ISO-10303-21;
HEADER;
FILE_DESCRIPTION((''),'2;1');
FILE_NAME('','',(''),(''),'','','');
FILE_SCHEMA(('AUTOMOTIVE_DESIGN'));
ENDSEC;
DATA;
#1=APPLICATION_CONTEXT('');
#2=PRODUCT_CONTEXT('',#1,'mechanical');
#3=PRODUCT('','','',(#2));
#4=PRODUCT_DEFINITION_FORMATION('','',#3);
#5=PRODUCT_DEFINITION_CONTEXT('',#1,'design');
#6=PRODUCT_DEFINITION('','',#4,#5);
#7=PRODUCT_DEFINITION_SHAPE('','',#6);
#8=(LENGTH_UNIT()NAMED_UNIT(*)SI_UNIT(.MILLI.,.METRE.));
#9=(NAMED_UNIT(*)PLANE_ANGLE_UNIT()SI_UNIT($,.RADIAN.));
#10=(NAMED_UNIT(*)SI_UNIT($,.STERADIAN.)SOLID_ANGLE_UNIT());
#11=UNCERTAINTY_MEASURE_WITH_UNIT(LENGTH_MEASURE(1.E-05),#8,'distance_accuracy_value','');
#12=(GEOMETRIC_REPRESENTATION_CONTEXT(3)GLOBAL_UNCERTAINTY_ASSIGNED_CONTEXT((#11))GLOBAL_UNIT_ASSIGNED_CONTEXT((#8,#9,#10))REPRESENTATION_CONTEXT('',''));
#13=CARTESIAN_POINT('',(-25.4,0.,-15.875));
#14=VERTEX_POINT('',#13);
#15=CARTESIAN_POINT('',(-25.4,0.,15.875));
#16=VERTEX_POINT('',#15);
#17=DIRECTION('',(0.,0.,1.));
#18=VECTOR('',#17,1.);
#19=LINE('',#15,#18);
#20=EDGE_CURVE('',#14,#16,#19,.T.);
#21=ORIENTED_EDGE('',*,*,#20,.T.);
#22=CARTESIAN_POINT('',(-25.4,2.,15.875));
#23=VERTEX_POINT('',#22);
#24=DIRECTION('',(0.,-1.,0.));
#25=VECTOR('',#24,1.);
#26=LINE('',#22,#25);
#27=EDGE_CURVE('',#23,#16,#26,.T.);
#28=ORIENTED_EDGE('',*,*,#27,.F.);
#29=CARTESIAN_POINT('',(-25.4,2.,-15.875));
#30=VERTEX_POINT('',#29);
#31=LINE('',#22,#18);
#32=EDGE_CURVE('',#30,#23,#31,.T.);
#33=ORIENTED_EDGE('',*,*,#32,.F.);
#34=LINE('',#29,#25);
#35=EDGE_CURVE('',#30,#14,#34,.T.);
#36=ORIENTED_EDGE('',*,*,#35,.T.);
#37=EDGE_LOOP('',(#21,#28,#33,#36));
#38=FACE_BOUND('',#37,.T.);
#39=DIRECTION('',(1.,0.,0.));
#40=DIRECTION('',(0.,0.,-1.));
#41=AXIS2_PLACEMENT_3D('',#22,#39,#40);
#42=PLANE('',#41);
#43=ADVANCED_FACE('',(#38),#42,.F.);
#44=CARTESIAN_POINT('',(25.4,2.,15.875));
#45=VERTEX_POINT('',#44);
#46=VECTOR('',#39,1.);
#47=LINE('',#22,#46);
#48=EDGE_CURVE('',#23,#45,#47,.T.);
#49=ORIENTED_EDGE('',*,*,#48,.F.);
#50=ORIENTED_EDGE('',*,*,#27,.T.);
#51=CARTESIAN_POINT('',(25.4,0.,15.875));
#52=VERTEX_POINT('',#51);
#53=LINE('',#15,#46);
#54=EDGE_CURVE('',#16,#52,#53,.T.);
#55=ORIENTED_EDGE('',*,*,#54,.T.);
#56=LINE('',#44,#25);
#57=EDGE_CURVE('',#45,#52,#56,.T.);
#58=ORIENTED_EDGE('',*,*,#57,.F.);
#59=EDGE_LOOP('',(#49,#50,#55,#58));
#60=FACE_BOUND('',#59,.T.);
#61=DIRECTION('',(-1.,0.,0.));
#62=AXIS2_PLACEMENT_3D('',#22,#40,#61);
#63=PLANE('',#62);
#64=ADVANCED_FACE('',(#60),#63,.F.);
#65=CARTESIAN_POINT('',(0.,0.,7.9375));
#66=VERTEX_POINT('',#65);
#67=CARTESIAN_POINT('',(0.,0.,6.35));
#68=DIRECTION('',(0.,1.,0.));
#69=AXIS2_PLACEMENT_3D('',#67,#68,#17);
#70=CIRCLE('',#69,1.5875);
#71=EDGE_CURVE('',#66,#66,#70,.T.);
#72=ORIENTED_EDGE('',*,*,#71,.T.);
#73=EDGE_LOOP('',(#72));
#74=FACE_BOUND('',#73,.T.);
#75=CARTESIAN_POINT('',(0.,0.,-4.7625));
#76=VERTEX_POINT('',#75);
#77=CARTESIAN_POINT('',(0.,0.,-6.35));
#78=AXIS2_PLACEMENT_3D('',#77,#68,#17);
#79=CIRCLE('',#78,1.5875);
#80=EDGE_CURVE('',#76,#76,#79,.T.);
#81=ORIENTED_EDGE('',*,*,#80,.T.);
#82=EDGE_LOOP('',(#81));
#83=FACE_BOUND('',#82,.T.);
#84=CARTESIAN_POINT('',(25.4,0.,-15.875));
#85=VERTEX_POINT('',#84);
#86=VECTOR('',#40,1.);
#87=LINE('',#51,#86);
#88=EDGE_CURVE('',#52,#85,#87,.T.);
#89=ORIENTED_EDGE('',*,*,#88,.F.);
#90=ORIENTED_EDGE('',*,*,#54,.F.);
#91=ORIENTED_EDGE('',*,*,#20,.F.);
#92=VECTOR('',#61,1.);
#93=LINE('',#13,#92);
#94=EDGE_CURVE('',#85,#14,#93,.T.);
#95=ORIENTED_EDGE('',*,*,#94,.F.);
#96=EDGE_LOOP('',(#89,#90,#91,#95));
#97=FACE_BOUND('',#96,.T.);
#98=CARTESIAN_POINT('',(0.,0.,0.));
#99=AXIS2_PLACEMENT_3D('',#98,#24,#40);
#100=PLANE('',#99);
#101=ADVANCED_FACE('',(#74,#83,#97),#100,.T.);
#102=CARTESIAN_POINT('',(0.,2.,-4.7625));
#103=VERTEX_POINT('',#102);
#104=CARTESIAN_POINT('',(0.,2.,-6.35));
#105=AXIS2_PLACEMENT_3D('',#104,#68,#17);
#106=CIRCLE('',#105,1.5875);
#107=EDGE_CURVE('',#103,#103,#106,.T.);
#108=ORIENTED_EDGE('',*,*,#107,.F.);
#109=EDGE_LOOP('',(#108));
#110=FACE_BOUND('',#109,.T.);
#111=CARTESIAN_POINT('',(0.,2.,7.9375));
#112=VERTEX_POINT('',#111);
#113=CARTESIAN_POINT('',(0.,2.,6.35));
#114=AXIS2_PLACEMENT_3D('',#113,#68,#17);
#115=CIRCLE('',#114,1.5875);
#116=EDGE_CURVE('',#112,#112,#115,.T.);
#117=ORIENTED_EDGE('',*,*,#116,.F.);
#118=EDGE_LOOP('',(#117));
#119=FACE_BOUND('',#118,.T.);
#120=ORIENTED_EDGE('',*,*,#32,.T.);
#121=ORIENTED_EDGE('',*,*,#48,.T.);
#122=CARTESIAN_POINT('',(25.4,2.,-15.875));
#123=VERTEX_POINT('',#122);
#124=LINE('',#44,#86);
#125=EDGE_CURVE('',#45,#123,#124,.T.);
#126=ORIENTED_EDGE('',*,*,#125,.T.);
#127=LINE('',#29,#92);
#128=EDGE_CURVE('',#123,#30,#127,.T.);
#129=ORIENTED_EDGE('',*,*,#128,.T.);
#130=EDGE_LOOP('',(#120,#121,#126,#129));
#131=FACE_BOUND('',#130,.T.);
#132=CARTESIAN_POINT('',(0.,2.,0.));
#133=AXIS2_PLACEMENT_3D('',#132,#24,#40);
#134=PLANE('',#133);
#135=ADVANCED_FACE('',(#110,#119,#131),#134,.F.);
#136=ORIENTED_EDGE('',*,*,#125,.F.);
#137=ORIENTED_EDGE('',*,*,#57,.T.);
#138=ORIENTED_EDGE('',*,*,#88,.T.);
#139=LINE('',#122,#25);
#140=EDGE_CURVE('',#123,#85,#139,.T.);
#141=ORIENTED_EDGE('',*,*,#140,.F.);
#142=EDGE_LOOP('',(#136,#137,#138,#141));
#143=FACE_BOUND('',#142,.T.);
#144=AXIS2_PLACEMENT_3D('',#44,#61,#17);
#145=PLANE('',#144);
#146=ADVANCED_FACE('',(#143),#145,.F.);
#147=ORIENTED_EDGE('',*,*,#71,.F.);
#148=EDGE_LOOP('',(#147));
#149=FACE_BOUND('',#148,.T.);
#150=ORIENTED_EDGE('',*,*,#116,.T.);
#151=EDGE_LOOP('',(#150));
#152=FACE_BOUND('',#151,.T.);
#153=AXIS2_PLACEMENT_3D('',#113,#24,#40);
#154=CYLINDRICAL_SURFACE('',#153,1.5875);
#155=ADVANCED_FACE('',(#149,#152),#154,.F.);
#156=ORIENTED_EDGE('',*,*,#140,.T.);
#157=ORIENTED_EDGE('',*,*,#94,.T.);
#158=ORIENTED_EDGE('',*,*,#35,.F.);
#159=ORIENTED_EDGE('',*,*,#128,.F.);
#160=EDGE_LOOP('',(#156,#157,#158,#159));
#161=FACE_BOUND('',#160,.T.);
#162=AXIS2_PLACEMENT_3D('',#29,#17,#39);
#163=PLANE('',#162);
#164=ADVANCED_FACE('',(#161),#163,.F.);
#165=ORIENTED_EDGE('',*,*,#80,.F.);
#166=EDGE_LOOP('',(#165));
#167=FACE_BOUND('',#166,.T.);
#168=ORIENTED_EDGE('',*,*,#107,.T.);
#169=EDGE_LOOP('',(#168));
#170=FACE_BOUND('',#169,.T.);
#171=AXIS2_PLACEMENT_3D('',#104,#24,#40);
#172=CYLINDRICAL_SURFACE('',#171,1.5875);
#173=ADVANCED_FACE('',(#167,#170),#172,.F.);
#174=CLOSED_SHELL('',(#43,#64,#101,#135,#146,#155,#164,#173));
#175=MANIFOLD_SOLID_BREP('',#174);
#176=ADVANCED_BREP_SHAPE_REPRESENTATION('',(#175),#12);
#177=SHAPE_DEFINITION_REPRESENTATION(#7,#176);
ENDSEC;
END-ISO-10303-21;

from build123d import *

# Parameters (mm, degrees)
SKETCH1_W           = 50.8
SKETCH1_H           = 31.75
SKETCH1_R           = 1.5875
BOSS_EXTRUDE1_DEPTH = 2


with BuildPart() as part:
    # Sketch1 → Boss-Extrude1 (new body)
    with BuildSketch(Plane(origin=(0, 0, 0), x_dir=(1, 0, 0), z_dir=(0, 1, 0))):
        Rectangle(SKETCH1_W, SKETCH1_H)
        with Locations(Location((0, 6.35, 0), (0, 0, 270))):
            Circle(SKETCH1_R, mode=Mode.SUBTRACT)
        with Locations(Location((0, -6.35, 0), (0, 0, 270))):
            Circle(SKETCH1_R, mode=Mode.SUBTRACT)
    extrude(amount=BOSS_EXTRUDE1_DEPTH)


solid = part.part
